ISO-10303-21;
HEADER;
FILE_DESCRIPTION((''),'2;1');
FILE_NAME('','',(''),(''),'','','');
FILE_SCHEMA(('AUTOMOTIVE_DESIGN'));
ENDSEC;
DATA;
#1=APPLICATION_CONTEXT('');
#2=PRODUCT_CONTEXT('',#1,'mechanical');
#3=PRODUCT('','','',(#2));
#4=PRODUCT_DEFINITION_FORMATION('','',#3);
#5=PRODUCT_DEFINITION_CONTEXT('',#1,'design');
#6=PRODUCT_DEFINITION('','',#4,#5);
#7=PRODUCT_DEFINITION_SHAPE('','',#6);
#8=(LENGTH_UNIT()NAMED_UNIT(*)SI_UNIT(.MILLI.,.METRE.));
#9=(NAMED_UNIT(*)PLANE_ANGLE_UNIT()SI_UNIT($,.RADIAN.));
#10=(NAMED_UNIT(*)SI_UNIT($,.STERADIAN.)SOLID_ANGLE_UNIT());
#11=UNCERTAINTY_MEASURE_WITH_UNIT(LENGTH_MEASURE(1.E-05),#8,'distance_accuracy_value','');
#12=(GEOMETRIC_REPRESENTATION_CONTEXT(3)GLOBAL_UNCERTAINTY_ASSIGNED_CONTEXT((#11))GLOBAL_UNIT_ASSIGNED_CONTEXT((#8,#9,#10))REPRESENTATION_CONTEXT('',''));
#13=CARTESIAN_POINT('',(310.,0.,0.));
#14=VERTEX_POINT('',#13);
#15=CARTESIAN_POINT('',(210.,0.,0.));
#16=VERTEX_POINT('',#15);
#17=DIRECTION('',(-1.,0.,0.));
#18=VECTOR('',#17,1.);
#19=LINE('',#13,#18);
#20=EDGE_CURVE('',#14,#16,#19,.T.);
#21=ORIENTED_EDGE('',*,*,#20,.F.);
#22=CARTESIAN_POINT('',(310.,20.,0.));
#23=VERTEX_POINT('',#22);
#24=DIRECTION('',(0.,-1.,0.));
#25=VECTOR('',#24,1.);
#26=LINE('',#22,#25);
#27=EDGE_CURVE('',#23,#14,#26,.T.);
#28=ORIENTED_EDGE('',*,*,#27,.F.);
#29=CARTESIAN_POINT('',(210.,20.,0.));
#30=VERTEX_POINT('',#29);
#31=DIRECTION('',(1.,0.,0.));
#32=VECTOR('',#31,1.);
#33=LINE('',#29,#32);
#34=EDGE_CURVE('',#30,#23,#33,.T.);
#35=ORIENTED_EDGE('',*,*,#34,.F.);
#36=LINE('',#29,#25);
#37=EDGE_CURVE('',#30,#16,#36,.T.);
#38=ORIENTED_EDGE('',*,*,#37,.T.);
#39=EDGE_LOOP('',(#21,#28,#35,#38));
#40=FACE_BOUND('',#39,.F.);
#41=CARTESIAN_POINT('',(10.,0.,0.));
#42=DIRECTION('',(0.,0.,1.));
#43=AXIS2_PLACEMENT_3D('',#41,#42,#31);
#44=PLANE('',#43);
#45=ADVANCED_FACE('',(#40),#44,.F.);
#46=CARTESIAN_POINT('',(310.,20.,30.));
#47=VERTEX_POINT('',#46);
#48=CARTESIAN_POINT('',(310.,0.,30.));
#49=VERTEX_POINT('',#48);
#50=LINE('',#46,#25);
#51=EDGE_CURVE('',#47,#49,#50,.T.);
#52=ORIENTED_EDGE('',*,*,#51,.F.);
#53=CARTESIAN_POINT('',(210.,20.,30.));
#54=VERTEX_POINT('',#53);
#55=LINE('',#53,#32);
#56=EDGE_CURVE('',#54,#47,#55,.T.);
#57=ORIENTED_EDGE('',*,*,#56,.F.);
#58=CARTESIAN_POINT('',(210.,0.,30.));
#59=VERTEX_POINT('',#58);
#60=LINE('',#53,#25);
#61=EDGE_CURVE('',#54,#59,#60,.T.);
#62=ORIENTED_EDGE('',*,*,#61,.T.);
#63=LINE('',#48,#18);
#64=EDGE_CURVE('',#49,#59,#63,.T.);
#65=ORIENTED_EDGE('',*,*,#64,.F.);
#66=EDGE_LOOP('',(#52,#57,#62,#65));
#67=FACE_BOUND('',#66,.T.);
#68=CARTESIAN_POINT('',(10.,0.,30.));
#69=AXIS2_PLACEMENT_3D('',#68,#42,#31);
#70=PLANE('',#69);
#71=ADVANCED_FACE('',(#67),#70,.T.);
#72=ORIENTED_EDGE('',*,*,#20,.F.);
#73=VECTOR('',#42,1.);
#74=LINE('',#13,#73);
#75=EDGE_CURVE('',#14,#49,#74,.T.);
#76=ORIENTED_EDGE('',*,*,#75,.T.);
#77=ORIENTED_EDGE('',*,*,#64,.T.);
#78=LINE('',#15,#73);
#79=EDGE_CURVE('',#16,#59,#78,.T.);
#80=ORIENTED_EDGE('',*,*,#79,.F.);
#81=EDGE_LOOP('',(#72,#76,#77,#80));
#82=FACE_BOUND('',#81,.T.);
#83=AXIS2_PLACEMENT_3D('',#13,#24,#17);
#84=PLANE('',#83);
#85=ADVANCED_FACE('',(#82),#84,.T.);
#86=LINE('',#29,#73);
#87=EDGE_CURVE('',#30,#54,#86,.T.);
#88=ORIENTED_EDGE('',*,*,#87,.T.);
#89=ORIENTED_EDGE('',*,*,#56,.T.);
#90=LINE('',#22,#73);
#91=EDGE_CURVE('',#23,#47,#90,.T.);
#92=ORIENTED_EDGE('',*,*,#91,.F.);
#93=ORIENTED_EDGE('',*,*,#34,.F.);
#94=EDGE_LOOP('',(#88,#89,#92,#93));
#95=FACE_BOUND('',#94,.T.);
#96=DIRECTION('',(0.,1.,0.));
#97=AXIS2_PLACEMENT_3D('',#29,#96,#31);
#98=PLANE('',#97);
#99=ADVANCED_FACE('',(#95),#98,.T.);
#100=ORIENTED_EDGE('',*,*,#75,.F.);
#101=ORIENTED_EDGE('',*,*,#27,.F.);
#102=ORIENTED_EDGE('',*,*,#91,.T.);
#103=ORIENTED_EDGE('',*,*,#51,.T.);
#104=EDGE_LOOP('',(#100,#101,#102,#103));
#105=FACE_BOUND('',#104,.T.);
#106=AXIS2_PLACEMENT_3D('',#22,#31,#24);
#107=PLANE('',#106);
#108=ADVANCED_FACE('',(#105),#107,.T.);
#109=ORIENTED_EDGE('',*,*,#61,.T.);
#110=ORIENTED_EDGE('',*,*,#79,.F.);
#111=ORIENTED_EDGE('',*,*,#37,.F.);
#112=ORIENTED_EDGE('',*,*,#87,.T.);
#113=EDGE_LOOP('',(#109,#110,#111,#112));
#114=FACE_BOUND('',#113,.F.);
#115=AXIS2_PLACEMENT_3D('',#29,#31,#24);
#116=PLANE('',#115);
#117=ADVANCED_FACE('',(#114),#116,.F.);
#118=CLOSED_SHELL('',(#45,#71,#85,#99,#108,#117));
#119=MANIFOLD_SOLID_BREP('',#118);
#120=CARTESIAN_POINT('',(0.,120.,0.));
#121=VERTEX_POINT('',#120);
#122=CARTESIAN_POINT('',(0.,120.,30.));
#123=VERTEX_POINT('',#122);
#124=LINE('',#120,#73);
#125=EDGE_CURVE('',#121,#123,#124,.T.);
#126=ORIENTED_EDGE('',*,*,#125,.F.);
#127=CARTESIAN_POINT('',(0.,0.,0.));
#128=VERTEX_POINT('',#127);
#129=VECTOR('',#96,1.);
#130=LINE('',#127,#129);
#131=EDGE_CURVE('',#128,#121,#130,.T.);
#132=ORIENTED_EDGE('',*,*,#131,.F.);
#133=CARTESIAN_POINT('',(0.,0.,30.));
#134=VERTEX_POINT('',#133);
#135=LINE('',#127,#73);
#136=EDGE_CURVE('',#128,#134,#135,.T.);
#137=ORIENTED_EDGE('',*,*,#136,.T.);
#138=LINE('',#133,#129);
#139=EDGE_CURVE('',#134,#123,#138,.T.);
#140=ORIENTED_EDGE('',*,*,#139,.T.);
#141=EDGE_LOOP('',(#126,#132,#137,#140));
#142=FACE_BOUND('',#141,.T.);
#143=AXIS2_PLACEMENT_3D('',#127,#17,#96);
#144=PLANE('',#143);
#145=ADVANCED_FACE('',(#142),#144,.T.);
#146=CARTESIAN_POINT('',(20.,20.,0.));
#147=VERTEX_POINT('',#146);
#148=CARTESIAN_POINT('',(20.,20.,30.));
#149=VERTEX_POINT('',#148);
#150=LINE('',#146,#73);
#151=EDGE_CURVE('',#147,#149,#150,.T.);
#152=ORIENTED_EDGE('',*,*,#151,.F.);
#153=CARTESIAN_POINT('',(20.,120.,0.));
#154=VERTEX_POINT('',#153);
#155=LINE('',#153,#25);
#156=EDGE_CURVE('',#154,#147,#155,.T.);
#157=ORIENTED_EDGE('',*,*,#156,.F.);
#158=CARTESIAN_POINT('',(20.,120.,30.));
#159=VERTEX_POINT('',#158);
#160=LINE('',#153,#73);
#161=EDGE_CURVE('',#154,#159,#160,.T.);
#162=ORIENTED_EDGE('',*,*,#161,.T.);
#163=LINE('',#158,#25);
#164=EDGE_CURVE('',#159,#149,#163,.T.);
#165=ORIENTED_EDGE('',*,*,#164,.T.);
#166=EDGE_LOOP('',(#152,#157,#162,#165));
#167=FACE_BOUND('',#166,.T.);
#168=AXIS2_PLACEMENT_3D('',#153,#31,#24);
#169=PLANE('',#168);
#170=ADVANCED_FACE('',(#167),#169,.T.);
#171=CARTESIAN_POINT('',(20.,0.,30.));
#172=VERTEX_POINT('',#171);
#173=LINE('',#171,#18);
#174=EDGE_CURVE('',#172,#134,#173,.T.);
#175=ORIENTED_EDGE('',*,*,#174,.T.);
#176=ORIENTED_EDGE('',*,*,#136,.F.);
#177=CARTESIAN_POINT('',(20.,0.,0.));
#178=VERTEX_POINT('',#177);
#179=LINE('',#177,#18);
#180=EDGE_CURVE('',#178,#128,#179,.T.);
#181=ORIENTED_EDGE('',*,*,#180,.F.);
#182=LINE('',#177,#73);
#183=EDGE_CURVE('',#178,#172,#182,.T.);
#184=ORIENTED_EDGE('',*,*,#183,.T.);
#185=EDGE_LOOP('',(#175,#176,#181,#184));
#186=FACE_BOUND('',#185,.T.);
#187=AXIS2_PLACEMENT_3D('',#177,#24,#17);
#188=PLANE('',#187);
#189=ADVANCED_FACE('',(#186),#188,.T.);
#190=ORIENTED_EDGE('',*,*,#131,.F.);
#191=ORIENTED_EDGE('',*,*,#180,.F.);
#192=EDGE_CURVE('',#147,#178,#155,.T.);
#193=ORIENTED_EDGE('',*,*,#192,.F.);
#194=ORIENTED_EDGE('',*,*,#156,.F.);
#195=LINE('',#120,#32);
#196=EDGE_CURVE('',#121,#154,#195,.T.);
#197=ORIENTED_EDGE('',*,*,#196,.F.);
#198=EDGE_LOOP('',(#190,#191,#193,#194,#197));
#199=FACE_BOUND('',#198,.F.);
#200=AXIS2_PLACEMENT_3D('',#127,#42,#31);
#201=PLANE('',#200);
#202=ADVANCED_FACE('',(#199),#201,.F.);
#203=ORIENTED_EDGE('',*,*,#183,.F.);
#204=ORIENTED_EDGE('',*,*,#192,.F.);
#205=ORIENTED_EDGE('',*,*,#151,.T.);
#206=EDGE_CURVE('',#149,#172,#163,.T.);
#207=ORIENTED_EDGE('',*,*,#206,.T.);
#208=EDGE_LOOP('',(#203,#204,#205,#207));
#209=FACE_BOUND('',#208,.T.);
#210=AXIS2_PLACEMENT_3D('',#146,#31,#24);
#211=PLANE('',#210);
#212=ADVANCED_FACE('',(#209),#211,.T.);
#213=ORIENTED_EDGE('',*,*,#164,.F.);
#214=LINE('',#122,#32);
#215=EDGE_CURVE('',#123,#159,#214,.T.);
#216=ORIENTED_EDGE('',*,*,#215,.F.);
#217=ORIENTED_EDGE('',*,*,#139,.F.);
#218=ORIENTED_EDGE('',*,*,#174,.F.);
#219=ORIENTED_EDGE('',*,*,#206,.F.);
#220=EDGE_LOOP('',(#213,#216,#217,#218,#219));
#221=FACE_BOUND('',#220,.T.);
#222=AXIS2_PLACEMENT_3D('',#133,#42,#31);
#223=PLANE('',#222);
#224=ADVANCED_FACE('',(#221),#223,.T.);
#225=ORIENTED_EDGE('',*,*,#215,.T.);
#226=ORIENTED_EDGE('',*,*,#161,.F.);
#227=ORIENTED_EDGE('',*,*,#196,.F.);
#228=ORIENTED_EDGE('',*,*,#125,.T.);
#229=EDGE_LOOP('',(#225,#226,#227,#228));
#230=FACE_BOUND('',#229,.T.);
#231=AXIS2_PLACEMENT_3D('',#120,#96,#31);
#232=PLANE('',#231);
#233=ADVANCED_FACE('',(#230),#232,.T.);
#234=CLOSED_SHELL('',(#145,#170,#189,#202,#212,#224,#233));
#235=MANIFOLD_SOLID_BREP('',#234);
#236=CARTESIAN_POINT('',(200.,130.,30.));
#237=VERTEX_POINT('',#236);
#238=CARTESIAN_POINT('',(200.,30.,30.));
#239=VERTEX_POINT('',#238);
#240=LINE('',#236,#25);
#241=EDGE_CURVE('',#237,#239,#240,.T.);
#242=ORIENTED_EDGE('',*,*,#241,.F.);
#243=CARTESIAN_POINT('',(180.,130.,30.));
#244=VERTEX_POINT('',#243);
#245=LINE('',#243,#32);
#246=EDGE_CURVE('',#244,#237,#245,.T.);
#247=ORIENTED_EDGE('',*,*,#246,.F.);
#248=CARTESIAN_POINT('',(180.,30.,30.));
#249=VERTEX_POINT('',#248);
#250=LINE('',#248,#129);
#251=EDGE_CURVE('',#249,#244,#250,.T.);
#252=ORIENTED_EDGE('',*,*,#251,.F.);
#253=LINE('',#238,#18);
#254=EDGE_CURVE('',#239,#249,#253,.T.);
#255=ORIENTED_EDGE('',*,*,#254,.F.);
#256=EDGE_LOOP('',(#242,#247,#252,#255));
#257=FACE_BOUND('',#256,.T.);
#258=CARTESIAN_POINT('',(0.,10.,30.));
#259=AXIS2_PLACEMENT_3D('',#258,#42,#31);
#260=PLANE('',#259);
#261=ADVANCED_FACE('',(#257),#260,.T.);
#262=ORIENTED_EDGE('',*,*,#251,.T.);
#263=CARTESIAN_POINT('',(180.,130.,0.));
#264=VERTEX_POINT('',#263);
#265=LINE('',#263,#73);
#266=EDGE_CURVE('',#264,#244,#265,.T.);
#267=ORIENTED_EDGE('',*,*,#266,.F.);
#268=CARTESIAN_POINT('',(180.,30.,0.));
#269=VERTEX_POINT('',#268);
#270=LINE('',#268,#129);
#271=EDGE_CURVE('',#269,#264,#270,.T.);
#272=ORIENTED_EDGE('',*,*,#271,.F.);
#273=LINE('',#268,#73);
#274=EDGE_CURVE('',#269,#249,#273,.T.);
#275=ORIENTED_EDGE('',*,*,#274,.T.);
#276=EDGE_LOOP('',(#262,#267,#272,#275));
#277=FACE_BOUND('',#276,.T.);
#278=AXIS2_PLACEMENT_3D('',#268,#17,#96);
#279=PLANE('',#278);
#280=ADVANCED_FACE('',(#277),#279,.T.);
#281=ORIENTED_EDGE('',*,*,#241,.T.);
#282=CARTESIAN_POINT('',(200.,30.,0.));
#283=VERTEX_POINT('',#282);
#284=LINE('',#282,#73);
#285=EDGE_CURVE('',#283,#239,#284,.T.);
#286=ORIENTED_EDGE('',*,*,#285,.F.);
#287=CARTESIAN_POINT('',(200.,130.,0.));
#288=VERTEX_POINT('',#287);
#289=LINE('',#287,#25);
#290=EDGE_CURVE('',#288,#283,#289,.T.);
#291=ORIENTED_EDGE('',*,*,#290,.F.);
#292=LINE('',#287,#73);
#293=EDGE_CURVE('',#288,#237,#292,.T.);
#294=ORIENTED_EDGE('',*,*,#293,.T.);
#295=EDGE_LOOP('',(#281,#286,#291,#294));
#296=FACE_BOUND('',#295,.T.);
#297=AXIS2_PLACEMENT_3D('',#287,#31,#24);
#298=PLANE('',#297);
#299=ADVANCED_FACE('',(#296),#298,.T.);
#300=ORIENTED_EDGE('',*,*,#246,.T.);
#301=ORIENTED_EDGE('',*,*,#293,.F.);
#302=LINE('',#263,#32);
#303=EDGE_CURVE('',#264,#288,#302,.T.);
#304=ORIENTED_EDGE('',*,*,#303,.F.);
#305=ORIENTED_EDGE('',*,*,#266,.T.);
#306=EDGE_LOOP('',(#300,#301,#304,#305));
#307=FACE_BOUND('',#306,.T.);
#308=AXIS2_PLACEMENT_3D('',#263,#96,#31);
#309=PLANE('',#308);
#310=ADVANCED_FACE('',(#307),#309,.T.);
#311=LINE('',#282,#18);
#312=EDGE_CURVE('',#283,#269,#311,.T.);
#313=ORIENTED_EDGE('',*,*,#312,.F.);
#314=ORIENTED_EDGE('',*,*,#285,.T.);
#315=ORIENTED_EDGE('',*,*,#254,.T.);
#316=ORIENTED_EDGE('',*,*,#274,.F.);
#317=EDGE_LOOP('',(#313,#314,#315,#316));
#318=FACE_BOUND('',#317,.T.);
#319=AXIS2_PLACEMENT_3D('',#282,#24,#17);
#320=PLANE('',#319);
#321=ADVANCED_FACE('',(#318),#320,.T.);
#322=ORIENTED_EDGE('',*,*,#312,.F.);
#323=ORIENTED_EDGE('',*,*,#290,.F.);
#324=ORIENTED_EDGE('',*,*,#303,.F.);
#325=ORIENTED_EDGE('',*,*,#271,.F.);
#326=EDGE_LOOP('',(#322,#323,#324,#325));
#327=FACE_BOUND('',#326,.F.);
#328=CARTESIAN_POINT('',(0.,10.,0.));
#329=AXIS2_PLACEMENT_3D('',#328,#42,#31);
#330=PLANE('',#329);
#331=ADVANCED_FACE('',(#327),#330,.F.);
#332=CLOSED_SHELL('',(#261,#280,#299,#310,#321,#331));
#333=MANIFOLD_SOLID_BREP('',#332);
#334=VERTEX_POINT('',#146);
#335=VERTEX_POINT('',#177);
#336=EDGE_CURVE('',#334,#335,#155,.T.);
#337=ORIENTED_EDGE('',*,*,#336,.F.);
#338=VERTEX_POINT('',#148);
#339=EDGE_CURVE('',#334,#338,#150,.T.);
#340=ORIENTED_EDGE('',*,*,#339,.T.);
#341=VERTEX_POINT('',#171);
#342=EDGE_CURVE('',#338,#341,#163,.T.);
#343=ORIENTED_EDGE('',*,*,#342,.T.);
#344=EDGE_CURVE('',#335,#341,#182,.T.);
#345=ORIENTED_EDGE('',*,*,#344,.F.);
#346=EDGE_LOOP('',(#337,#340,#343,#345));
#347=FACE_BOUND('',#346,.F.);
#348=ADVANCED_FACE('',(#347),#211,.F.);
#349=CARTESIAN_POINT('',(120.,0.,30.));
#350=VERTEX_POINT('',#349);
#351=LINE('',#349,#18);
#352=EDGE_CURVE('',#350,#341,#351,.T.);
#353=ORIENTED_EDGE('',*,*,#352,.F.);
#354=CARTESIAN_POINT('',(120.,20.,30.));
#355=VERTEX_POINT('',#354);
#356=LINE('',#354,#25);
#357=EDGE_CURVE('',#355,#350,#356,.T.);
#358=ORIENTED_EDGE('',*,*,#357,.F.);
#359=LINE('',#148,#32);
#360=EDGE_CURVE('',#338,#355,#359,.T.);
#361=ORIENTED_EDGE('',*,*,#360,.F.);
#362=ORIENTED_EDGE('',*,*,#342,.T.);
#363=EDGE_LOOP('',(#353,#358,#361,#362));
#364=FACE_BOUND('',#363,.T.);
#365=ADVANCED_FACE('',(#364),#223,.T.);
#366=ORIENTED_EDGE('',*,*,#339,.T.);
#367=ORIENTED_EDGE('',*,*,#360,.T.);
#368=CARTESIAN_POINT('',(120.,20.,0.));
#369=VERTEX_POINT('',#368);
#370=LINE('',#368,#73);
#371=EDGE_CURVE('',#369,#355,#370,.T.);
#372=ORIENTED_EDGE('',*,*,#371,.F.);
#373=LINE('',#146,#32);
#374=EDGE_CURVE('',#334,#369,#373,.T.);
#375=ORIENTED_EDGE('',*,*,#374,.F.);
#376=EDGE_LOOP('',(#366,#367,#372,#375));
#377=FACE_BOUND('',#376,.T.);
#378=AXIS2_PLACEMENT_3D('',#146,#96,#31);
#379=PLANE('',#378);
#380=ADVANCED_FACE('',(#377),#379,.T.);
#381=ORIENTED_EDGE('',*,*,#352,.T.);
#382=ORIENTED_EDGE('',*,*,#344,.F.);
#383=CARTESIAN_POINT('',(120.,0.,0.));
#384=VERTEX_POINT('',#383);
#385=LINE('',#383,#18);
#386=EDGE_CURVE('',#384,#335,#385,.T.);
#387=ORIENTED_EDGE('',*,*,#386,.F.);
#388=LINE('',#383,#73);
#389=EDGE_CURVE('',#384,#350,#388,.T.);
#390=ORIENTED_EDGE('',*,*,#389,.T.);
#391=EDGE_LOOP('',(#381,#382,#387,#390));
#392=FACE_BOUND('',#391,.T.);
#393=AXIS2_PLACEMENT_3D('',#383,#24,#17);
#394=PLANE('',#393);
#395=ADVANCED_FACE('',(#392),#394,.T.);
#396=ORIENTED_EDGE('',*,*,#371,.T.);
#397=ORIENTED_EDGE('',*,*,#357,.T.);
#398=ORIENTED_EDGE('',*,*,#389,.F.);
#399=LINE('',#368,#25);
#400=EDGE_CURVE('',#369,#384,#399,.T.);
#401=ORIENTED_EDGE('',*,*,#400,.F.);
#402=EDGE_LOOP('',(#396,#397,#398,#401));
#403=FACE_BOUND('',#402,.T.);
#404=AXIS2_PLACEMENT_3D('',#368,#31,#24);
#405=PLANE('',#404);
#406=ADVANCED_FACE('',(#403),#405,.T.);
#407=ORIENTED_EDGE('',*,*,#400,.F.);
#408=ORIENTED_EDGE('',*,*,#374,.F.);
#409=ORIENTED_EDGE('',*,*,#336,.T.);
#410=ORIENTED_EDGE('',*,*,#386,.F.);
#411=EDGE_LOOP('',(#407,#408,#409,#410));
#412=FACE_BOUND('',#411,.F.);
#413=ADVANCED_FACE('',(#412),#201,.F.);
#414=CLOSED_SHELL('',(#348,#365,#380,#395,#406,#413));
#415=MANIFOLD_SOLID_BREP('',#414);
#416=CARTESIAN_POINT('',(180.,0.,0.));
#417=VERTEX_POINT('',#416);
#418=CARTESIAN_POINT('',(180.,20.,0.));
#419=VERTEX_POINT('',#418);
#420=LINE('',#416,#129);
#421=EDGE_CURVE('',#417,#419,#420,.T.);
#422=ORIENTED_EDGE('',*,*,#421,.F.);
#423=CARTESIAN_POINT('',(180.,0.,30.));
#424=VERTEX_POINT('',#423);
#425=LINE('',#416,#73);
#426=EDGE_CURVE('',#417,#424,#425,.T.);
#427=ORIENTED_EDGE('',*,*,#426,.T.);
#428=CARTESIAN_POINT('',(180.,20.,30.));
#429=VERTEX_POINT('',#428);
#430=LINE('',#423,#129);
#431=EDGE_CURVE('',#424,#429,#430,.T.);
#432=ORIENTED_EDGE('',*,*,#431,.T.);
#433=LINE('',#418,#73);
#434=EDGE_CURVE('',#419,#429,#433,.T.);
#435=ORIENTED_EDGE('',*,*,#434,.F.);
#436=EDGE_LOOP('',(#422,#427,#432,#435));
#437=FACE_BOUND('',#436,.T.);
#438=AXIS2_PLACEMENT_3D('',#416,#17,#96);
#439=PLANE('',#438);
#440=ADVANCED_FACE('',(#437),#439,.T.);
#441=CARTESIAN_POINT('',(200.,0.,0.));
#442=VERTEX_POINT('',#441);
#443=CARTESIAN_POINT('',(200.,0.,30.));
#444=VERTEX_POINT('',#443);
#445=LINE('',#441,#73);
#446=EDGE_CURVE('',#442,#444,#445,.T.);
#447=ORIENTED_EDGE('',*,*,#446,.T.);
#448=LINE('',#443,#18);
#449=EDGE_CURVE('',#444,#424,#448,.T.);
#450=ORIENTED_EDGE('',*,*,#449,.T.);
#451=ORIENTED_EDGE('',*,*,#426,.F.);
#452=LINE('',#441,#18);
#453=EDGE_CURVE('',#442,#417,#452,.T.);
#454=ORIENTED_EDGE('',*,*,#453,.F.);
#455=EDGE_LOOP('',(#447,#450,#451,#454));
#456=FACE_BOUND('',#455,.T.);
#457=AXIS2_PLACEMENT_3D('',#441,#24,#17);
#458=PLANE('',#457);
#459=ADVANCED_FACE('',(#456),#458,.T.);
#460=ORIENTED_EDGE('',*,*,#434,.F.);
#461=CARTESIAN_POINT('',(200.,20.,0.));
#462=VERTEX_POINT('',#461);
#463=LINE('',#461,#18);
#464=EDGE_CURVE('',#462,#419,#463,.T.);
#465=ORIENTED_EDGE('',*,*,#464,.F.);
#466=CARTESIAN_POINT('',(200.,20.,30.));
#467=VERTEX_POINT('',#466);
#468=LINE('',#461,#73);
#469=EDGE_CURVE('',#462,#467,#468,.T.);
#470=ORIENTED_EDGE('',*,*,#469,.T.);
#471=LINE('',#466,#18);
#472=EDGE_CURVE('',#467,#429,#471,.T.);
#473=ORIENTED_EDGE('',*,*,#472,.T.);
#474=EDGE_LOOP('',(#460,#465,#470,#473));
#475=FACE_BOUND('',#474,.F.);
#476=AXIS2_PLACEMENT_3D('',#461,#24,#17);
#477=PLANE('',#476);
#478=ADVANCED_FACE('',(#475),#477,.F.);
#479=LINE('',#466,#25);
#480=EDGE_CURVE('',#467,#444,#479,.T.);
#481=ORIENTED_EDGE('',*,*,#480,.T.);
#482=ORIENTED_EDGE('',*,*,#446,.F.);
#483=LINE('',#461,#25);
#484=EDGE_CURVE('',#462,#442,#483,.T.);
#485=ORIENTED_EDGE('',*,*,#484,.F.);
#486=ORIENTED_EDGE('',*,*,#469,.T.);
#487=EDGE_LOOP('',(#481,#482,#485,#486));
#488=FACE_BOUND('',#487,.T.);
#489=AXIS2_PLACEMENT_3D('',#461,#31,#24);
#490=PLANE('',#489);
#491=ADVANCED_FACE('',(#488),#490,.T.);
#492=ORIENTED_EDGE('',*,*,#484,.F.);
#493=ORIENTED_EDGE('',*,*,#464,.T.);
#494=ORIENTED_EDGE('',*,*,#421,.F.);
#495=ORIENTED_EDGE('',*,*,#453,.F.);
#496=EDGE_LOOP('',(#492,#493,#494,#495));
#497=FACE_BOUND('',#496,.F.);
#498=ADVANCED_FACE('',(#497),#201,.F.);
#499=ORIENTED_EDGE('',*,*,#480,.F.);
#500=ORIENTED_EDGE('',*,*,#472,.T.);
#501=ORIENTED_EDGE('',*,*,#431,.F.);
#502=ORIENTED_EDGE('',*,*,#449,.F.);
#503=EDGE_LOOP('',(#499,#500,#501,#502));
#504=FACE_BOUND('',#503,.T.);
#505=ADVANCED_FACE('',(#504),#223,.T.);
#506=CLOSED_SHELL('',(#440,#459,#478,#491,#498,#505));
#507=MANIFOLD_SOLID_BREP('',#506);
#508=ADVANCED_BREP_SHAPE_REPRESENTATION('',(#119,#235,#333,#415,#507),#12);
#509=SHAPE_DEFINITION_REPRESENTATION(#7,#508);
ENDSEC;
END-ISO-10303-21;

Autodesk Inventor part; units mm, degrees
ref_plane "YZ Plane" through (0, 0, 0) normal (1, 0, 0) x (0, 1, 0)
ref_plane "XZ Plane" through (0, 0, 0) normal (0, 1, 0) x (-1, 0, 0)
ref_plane "XY Plane" through (0, 0, 0) normal (0, 0, 1) x (1, 0, 0)
sketch "Sketch1" plane through (0, 0, 0) normal (0, 0, 1) x (1, 0, 0)
  line L0 (0, 120) -> (20, 120)
  line L1 (20, 120) -> (20, 0)
  line L2 (20, 0) -> (0, 0)
  line L3 (0, 0) -> (0, 120)
  line L4 (120, 0) -> (20, 0)
  line L5 (20, 0) -> (20, 20)
  line L6 (20, 20) -> (120, 20)
  line L7 (120, 20) -> (120, 0)
  line L8 (180, 120) -> (200, 120)
  line L9 (200, 120) -> (200, 20)
  line L10 (200, 20) -> (180, 20)
  line L11 (180, 20) -> (180, 120)
  line L12 (180, 20) -> (200, 20)
  line L13 (200, 20) -> (200, 0)
  line L14 (200, 0) -> (180, 0)
  line L15 (180, 0) -> (180, 20)
  line L16 (200, 20) -> (300, 20)
  line L17 (300, 20) -> (300, 0)
  line L18 (300, 0) -> (200, 0)
  line L19 (200, 0) -> (200, 20)
extrude "Extrusion1" add sketch "Sketch1" along normal blind 30 contours L0 L1 L2 L3
extrude "Extrusion2" add sketch "Sketch1" along normal blind 30 separate body contours L6 L7 L4 L1
extrude "Extrusion3" add sketch "Sketch1" along normal blind 30 separate body contours L8 L9 L10 L11
extrude "Extrusion4" add sketch "Sketch1" along normal blind 30 separate body contours L10 L13 L14 L15
extrude "Extrusion5" add sketch "Sketch1" along normal blind 30 separate body contours L16 L17 L18 L13
move or copy body "Move Body1" bodies to move or copy 3 copy no translate (0, 10, 0)
move or copy body "Move Body2" bodies to move or copy 5 copy no translate (10, 0, 0)
properties part number "CellDecompExample"
